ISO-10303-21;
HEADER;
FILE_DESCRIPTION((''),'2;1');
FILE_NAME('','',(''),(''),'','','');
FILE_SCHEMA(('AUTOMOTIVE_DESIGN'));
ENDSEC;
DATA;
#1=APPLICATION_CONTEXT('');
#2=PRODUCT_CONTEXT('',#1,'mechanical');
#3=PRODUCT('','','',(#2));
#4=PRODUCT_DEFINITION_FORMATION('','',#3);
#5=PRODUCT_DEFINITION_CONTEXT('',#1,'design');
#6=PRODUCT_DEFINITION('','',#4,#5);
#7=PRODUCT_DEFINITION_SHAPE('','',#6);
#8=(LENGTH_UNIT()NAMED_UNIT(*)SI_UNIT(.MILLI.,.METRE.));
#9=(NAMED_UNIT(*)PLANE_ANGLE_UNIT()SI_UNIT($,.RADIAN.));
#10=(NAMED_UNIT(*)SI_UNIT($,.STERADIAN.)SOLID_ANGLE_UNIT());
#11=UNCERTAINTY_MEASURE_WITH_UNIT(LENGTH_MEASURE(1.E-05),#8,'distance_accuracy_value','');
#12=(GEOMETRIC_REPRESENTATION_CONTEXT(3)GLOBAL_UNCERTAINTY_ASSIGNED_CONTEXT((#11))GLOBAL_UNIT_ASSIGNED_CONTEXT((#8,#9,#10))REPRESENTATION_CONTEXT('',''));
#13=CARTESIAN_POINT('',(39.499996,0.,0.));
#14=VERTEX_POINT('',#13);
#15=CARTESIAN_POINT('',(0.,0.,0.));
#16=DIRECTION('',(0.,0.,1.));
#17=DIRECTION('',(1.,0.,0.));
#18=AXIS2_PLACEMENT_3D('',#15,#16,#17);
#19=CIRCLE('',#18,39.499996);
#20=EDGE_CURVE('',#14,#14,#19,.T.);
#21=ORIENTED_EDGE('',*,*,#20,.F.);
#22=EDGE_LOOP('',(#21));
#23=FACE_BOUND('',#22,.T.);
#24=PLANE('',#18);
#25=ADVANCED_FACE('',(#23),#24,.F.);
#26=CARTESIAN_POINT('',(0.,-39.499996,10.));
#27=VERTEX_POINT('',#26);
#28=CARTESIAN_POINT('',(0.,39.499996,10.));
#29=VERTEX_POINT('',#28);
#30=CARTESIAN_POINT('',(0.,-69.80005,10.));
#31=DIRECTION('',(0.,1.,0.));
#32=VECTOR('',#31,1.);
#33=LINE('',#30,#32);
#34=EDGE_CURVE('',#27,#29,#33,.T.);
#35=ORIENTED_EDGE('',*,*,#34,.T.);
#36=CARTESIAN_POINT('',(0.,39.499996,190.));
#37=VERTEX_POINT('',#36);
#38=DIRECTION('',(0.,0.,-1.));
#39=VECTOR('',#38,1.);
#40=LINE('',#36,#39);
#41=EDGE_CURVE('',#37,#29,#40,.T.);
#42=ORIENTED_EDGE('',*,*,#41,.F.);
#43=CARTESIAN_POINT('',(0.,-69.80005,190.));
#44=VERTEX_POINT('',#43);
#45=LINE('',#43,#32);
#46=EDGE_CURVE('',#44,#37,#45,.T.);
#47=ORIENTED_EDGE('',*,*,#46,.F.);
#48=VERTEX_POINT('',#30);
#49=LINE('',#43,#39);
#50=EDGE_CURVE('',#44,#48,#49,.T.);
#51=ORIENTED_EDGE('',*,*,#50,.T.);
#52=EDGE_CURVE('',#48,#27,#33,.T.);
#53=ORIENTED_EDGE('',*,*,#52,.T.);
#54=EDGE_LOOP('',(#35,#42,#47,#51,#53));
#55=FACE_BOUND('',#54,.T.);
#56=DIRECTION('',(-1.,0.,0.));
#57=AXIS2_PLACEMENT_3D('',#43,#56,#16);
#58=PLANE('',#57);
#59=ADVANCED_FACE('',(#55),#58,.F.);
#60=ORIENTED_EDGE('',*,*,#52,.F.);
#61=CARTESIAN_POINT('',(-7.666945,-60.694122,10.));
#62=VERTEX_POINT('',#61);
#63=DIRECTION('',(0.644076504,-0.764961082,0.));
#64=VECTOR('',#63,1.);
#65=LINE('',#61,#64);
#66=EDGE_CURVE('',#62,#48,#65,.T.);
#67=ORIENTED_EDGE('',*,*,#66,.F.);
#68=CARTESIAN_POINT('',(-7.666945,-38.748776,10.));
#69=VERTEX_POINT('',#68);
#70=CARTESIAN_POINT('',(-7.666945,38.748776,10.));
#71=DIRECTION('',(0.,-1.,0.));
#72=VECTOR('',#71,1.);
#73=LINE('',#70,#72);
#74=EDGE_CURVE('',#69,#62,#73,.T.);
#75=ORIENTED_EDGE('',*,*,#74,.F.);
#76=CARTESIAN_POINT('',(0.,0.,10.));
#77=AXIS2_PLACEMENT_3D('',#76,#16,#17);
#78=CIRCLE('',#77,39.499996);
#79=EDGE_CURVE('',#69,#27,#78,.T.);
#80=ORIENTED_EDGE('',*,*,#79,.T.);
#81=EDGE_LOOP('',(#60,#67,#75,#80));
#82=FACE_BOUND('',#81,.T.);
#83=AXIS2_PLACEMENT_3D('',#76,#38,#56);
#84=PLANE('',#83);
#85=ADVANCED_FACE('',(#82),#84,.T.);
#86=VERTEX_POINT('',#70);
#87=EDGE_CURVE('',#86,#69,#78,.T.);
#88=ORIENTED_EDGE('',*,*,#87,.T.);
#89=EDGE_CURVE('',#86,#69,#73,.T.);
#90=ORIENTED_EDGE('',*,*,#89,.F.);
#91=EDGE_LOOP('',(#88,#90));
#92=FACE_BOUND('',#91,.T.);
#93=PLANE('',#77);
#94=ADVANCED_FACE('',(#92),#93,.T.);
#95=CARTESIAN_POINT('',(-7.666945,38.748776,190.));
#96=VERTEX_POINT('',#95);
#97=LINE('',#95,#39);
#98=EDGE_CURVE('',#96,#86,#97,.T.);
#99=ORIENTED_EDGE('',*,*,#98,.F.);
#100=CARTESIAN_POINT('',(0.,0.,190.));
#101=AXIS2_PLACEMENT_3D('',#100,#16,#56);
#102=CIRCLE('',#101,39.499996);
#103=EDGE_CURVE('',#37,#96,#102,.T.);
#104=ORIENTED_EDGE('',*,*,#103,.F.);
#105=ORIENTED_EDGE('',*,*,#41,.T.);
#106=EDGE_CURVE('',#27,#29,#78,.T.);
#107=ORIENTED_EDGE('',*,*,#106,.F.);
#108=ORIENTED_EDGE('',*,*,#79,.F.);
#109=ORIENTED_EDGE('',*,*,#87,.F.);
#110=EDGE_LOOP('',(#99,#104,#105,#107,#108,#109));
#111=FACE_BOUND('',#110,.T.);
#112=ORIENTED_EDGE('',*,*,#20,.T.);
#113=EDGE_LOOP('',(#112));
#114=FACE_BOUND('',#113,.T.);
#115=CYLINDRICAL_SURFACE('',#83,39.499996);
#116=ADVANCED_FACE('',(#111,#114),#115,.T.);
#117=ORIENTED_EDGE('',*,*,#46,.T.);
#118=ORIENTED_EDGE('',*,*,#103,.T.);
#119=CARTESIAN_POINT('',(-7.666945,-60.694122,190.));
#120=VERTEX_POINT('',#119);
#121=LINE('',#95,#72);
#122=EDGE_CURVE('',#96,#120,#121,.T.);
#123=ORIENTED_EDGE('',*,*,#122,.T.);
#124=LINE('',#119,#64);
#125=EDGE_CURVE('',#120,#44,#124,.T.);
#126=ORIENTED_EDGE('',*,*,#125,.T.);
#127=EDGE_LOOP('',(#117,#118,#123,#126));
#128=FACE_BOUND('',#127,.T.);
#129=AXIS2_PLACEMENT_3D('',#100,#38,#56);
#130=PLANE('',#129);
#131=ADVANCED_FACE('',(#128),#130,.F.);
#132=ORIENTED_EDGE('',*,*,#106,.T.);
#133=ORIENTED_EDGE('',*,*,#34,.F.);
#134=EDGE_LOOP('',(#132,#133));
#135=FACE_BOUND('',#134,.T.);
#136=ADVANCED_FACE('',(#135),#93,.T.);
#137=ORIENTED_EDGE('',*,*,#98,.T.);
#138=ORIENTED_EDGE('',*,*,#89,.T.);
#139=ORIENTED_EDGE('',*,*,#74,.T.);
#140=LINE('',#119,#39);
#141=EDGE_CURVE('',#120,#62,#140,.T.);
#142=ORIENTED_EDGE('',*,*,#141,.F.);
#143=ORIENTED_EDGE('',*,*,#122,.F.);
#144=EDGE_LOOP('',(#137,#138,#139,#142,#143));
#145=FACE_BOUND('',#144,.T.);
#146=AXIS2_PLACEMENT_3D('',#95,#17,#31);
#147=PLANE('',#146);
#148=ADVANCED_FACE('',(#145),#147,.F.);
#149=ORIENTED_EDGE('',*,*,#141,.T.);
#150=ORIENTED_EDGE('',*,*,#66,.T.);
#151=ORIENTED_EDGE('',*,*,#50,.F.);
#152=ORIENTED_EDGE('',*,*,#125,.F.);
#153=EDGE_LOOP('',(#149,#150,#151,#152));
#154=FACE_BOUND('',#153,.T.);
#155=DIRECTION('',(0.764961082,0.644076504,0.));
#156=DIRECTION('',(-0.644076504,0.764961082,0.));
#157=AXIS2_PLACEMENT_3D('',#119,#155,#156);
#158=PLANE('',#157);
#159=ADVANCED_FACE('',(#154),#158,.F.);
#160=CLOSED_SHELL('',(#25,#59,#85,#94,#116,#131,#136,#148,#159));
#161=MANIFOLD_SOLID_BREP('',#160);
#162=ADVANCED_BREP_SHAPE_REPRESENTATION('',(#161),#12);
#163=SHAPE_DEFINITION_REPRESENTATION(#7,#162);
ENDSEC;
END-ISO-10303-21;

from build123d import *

# Parameters (mm, degrees)
SKETCH_1_R      = 39.499995791
EXTRUDE_1_DEPTH = 10
EXTRUDE_2_DEPTH = 180


with BuildPart() as part:
    # 草图1 → 凸台-拉伸1 (new body)
    with BuildSketch(Plane.XY):
        Circle(SKETCH_1_R)
    extrude(amount=EXTRUDE_1_DEPTH)

    # 草图2 → 凸台-拉伸2 (add)
    with BuildSketch(Plane.XY.offset(10)):
        with BuildLine():
            Line((0, -69.800050309), (0, 39.499995791))
            ThreePointArc((0, 39.499995791), (-3.851829787, 39.3117422), (-7.666944594, 38.748775827))
            Line((-7.666944594, 38.748775827), (-7.666944594, -60.694122376))
            Line((-7.666944594, -60.694122376), (0, -69.800050309))
        make_face()
    extrude(amount=EXTRUDE_2_DEPTH)


solid = part.part
